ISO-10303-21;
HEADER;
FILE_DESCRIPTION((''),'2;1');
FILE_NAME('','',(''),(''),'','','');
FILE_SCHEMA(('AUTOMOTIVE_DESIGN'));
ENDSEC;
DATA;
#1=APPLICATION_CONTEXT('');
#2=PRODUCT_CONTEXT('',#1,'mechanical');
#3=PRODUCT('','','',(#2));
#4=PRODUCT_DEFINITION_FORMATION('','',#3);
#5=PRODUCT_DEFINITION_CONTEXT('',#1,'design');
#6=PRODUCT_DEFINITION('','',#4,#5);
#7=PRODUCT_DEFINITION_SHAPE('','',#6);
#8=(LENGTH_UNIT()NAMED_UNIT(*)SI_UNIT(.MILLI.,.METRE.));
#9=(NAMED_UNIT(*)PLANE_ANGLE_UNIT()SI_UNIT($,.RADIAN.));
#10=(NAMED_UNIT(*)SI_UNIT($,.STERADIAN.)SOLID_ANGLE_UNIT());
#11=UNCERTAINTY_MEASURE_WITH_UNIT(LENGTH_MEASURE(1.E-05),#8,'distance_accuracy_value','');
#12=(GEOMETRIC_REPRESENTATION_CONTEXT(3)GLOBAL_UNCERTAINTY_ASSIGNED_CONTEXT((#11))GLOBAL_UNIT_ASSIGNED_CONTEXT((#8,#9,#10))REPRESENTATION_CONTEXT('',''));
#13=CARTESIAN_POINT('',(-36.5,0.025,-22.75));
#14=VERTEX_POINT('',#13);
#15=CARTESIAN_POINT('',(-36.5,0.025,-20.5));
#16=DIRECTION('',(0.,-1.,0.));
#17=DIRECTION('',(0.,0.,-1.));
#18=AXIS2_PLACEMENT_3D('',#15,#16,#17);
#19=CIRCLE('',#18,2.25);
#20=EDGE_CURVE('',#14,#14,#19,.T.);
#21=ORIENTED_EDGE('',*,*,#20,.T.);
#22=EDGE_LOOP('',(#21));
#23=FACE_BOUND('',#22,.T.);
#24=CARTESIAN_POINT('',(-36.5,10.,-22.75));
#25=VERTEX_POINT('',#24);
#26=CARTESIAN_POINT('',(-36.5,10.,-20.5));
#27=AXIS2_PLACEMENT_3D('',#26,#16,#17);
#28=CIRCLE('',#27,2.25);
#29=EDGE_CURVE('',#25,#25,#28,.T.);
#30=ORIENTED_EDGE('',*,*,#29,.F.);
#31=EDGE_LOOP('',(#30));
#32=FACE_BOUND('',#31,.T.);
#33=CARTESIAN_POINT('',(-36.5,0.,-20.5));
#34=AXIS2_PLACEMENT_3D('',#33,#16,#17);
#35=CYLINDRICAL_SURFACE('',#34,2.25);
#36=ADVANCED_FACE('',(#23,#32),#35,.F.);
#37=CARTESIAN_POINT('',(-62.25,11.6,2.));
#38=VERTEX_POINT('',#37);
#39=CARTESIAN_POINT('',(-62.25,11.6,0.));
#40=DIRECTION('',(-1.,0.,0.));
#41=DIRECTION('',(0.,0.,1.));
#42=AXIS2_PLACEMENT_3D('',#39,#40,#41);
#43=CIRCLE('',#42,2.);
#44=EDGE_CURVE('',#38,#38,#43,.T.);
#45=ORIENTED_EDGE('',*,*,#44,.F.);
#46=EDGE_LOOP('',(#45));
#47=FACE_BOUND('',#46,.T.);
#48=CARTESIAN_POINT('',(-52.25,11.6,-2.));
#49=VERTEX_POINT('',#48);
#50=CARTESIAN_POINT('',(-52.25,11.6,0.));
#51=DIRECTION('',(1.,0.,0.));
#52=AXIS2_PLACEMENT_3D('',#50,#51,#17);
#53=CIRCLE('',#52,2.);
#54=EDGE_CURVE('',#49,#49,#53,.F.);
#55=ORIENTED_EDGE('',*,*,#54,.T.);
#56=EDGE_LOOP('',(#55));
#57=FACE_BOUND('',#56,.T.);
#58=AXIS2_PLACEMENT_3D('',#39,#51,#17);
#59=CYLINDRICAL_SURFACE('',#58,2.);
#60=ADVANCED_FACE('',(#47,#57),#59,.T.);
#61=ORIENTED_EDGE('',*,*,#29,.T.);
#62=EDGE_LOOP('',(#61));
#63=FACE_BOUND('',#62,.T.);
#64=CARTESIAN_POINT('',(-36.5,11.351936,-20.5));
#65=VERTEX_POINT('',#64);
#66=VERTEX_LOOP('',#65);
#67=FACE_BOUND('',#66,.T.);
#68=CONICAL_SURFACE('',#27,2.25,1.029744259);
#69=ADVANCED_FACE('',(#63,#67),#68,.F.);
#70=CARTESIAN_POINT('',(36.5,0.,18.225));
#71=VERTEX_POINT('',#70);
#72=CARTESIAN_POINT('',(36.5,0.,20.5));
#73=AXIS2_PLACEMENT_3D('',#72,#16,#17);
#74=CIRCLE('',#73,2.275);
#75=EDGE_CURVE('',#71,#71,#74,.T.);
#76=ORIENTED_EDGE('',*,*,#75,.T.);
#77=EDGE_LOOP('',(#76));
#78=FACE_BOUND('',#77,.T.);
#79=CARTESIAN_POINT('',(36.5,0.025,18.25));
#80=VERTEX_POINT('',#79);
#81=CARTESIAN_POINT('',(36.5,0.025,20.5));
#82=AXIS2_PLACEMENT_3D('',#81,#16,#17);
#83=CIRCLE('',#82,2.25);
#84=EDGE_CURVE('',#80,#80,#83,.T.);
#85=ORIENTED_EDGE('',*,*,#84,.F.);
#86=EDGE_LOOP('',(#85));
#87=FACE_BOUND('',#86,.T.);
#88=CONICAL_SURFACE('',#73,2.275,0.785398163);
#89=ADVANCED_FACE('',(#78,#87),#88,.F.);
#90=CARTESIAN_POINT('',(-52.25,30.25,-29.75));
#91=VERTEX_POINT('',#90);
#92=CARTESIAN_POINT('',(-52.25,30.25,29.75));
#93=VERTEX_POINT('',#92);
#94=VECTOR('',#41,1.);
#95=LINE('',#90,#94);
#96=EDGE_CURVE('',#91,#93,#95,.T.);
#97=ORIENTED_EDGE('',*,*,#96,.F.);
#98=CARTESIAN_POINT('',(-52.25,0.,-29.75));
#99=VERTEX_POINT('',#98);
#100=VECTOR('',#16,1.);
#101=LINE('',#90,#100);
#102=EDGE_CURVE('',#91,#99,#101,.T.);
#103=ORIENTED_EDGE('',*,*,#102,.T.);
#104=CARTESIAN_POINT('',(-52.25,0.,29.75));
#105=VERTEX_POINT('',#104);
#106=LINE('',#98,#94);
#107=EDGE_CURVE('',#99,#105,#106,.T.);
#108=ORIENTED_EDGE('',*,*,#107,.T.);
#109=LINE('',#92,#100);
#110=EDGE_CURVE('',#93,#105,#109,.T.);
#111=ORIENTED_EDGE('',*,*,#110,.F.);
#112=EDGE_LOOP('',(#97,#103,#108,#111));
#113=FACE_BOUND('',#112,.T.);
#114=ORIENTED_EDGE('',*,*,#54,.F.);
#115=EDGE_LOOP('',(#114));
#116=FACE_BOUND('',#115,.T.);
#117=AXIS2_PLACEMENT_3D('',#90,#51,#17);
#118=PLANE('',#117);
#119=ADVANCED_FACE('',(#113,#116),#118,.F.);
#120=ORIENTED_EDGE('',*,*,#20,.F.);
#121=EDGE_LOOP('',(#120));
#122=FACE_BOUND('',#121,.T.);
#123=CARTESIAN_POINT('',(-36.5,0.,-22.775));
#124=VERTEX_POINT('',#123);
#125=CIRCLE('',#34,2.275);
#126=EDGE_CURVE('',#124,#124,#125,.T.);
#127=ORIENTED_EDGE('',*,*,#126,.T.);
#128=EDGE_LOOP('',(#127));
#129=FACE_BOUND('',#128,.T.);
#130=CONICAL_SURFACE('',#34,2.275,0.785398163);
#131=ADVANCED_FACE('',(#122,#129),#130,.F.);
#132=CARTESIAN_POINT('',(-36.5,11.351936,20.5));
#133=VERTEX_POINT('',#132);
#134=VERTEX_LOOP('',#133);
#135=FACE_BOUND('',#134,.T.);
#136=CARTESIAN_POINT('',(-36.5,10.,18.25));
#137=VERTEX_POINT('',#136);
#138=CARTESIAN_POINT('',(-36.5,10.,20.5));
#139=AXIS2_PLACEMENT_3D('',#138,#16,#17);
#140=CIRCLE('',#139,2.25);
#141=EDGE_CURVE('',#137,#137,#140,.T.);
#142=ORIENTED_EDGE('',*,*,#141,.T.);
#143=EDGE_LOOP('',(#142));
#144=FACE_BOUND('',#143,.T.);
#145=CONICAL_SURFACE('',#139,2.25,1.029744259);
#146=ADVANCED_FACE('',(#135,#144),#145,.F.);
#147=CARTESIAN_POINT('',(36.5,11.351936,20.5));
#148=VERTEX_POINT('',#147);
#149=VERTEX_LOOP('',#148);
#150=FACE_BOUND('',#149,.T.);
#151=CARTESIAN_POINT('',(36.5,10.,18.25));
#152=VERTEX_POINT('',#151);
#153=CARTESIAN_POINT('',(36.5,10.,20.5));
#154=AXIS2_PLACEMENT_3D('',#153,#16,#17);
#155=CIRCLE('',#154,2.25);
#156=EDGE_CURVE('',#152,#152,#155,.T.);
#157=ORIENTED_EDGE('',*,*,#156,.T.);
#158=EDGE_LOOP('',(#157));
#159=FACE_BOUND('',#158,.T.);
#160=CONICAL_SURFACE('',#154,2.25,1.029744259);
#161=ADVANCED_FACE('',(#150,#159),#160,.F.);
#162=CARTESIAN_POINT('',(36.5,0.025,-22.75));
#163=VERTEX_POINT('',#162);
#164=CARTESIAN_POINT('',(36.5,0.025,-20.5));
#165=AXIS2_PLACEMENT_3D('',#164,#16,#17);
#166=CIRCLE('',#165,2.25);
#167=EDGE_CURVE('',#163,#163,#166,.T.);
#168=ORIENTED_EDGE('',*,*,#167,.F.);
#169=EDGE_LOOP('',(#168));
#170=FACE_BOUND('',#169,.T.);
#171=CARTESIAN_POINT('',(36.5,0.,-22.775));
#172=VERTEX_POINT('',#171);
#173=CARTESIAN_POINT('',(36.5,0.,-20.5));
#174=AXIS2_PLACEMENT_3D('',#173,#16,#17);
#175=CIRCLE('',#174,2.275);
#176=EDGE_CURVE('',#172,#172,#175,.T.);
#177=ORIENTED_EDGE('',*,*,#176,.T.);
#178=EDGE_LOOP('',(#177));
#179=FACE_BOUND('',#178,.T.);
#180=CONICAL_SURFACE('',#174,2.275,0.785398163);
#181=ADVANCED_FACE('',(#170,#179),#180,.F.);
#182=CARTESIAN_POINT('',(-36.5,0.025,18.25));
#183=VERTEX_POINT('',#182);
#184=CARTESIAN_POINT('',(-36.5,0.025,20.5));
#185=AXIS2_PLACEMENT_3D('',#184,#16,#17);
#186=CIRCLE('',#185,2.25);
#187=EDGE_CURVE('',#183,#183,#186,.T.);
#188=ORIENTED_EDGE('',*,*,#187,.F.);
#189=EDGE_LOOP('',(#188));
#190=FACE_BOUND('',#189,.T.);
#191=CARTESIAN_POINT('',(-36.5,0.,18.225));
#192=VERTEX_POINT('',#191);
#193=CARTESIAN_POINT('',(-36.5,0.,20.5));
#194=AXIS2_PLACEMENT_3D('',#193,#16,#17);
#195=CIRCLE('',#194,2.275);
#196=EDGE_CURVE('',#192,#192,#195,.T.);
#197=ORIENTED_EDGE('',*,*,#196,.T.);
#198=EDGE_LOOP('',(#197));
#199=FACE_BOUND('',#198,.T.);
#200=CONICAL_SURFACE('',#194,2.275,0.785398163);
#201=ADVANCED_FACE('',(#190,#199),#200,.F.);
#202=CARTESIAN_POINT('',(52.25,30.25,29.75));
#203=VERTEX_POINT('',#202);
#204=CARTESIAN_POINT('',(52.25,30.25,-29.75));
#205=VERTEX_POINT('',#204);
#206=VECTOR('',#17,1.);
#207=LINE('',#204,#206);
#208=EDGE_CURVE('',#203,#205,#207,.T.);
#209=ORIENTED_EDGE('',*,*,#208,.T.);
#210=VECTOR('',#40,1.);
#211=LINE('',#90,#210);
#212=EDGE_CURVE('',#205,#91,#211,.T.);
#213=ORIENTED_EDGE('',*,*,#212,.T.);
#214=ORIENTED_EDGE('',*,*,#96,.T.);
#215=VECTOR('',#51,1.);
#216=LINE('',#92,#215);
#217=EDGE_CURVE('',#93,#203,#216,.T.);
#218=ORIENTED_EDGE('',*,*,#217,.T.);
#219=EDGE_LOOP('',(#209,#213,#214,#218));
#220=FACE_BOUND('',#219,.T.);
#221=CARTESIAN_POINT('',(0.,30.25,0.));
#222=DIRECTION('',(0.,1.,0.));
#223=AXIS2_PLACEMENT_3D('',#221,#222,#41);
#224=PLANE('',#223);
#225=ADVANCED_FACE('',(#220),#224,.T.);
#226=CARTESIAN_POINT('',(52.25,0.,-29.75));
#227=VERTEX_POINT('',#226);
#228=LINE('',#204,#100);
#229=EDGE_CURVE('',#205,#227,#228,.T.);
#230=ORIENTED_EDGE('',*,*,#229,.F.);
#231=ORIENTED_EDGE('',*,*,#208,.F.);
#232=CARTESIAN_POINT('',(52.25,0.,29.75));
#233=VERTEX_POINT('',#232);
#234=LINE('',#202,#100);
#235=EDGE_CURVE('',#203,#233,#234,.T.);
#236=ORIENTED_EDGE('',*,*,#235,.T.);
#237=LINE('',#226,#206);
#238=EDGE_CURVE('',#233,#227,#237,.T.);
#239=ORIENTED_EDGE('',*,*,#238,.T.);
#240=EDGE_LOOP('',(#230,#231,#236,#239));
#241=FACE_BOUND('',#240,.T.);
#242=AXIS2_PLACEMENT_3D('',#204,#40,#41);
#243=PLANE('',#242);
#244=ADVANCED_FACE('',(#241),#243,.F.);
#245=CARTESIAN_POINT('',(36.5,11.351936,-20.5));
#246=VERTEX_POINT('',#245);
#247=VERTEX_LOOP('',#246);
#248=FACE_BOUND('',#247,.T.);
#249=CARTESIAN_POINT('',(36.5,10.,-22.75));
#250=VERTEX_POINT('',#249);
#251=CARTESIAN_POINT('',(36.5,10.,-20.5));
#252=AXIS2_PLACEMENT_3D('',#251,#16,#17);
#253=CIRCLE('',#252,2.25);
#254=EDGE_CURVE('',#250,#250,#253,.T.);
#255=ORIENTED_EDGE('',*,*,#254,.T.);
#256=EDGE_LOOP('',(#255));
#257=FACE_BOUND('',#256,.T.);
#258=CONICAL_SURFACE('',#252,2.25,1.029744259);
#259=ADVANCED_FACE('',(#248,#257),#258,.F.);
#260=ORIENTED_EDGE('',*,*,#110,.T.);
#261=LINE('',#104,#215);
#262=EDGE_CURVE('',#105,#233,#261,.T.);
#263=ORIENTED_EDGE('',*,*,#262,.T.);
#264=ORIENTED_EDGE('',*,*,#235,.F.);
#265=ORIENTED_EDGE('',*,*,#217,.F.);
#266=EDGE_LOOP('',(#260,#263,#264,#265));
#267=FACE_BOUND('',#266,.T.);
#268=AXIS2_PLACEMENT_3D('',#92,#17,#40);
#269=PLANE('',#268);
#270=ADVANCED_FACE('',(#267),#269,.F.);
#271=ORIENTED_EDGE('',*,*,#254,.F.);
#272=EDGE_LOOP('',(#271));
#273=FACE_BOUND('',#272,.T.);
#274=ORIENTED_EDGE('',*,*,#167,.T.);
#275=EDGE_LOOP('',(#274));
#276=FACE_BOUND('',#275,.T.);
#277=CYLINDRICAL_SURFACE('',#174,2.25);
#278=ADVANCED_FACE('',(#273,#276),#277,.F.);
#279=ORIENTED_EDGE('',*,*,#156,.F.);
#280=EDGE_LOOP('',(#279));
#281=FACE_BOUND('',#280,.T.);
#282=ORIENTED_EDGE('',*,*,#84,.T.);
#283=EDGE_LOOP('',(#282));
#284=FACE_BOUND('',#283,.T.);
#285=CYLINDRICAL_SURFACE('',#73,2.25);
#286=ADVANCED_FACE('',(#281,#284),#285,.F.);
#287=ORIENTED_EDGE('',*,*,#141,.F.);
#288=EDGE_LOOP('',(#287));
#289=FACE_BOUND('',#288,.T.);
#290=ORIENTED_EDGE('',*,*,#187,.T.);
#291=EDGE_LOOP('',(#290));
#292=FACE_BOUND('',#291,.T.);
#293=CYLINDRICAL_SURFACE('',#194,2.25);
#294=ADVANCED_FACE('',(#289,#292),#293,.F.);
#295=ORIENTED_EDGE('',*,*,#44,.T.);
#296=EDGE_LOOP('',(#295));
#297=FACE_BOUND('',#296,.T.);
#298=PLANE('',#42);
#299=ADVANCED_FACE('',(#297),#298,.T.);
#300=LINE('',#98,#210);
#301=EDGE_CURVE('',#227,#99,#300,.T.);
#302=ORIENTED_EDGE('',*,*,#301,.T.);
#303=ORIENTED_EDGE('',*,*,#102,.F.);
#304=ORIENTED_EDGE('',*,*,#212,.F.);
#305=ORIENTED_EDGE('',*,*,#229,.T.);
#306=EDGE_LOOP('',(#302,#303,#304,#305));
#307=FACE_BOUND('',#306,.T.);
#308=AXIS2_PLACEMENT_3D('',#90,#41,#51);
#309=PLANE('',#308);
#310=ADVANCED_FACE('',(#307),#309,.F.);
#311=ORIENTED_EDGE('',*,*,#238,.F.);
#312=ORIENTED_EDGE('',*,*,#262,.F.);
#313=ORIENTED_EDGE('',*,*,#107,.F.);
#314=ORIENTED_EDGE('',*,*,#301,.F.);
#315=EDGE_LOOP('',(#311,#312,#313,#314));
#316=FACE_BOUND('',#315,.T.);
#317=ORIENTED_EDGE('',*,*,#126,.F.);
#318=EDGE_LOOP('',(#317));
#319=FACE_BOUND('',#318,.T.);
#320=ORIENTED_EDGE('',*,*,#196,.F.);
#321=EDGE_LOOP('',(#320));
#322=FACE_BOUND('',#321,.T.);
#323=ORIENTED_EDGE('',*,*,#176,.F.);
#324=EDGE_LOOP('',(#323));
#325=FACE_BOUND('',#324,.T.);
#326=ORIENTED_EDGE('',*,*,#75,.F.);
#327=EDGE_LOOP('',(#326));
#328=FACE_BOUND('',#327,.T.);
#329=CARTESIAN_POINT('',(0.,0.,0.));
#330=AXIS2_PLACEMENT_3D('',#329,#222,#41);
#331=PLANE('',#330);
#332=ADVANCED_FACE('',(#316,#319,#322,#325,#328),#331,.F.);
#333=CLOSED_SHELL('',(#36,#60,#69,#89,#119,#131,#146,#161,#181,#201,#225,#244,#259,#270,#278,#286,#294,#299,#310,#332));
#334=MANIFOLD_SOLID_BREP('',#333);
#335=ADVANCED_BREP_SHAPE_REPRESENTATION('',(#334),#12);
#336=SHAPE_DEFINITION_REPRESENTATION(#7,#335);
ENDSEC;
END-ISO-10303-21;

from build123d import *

# Parameters (mm, degrees)
SKETCH1_W                      = 104.5
SKETCH1_H                      = 59.5
BOSS_EXTRUDE1_DEPTH            = 30.25
SKETCH2_R                      = 2
BOSS_EXTRUDE2_DEPTH            = 10
M4_CLEARANCE_HOLE1_D           = 4.5
M4_CLEARANCE_HOLE1_DEPTH       = 10
M4_CLEARANCE_HOLE1_CSINK_D     = 4.55
M4_CLEARANCE_HOLE1_CSINK_ANGLE = 90
M4_CLEARANCE_HOLE1_TIP         = 1.351936393


with BuildPart() as part:
    # Sketch1 → Boss-Extrude1 (new body)
    with BuildSketch(Plane(origin=(0, 0, 0), x_dir=(1, 0, 0), z_dir=(0, 1, 0))):
        Rectangle(SKETCH1_W, SKETCH1_H)
    extrude(amount=BOSS_EXTRUDE1_DEPTH)

    # Sketch2 → Boss-Extrude2 (add)
    with BuildSketch(Plane.ZY.offset(52.25)):
        with Locations(Location((0, 11.6, 0), (0, 0, 180))):
            Circle(SKETCH2_R)
    extrude(amount=BOSS_EXTRUDE2_DEPTH)

    # M4 Clearance Hole1
    with Locations(Plane(origin=(0, 0, 0), x_dir=(-1, 0, 0), z_dir=(0, -1, 0))):
        with Locations((36.5, 20.5), (-36.5, 20.5), (-36.5, -20.5), (36.5, -20.5)):
            CounterSinkHole(M4_CLEARANCE_HOLE1_D / 2, M4_CLEARANCE_HOLE1_CSINK_D / 2, depth=M4_CLEARANCE_HOLE1_DEPTH, counter_sink_angle=M4_CLEARANCE_HOLE1_CSINK_ANGLE)
            with Locations((0, 0, -(M4_CLEARANCE_HOLE1_DEPTH + M4_CLEARANCE_HOLE1_TIP / 2))):  # 118° drill point
                Cone(0, M4_CLEARANCE_HOLE1_D / 2, M4_CLEARANCE_HOLE1_TIP, mode=Mode.SUBTRACT)


solid = part.part
